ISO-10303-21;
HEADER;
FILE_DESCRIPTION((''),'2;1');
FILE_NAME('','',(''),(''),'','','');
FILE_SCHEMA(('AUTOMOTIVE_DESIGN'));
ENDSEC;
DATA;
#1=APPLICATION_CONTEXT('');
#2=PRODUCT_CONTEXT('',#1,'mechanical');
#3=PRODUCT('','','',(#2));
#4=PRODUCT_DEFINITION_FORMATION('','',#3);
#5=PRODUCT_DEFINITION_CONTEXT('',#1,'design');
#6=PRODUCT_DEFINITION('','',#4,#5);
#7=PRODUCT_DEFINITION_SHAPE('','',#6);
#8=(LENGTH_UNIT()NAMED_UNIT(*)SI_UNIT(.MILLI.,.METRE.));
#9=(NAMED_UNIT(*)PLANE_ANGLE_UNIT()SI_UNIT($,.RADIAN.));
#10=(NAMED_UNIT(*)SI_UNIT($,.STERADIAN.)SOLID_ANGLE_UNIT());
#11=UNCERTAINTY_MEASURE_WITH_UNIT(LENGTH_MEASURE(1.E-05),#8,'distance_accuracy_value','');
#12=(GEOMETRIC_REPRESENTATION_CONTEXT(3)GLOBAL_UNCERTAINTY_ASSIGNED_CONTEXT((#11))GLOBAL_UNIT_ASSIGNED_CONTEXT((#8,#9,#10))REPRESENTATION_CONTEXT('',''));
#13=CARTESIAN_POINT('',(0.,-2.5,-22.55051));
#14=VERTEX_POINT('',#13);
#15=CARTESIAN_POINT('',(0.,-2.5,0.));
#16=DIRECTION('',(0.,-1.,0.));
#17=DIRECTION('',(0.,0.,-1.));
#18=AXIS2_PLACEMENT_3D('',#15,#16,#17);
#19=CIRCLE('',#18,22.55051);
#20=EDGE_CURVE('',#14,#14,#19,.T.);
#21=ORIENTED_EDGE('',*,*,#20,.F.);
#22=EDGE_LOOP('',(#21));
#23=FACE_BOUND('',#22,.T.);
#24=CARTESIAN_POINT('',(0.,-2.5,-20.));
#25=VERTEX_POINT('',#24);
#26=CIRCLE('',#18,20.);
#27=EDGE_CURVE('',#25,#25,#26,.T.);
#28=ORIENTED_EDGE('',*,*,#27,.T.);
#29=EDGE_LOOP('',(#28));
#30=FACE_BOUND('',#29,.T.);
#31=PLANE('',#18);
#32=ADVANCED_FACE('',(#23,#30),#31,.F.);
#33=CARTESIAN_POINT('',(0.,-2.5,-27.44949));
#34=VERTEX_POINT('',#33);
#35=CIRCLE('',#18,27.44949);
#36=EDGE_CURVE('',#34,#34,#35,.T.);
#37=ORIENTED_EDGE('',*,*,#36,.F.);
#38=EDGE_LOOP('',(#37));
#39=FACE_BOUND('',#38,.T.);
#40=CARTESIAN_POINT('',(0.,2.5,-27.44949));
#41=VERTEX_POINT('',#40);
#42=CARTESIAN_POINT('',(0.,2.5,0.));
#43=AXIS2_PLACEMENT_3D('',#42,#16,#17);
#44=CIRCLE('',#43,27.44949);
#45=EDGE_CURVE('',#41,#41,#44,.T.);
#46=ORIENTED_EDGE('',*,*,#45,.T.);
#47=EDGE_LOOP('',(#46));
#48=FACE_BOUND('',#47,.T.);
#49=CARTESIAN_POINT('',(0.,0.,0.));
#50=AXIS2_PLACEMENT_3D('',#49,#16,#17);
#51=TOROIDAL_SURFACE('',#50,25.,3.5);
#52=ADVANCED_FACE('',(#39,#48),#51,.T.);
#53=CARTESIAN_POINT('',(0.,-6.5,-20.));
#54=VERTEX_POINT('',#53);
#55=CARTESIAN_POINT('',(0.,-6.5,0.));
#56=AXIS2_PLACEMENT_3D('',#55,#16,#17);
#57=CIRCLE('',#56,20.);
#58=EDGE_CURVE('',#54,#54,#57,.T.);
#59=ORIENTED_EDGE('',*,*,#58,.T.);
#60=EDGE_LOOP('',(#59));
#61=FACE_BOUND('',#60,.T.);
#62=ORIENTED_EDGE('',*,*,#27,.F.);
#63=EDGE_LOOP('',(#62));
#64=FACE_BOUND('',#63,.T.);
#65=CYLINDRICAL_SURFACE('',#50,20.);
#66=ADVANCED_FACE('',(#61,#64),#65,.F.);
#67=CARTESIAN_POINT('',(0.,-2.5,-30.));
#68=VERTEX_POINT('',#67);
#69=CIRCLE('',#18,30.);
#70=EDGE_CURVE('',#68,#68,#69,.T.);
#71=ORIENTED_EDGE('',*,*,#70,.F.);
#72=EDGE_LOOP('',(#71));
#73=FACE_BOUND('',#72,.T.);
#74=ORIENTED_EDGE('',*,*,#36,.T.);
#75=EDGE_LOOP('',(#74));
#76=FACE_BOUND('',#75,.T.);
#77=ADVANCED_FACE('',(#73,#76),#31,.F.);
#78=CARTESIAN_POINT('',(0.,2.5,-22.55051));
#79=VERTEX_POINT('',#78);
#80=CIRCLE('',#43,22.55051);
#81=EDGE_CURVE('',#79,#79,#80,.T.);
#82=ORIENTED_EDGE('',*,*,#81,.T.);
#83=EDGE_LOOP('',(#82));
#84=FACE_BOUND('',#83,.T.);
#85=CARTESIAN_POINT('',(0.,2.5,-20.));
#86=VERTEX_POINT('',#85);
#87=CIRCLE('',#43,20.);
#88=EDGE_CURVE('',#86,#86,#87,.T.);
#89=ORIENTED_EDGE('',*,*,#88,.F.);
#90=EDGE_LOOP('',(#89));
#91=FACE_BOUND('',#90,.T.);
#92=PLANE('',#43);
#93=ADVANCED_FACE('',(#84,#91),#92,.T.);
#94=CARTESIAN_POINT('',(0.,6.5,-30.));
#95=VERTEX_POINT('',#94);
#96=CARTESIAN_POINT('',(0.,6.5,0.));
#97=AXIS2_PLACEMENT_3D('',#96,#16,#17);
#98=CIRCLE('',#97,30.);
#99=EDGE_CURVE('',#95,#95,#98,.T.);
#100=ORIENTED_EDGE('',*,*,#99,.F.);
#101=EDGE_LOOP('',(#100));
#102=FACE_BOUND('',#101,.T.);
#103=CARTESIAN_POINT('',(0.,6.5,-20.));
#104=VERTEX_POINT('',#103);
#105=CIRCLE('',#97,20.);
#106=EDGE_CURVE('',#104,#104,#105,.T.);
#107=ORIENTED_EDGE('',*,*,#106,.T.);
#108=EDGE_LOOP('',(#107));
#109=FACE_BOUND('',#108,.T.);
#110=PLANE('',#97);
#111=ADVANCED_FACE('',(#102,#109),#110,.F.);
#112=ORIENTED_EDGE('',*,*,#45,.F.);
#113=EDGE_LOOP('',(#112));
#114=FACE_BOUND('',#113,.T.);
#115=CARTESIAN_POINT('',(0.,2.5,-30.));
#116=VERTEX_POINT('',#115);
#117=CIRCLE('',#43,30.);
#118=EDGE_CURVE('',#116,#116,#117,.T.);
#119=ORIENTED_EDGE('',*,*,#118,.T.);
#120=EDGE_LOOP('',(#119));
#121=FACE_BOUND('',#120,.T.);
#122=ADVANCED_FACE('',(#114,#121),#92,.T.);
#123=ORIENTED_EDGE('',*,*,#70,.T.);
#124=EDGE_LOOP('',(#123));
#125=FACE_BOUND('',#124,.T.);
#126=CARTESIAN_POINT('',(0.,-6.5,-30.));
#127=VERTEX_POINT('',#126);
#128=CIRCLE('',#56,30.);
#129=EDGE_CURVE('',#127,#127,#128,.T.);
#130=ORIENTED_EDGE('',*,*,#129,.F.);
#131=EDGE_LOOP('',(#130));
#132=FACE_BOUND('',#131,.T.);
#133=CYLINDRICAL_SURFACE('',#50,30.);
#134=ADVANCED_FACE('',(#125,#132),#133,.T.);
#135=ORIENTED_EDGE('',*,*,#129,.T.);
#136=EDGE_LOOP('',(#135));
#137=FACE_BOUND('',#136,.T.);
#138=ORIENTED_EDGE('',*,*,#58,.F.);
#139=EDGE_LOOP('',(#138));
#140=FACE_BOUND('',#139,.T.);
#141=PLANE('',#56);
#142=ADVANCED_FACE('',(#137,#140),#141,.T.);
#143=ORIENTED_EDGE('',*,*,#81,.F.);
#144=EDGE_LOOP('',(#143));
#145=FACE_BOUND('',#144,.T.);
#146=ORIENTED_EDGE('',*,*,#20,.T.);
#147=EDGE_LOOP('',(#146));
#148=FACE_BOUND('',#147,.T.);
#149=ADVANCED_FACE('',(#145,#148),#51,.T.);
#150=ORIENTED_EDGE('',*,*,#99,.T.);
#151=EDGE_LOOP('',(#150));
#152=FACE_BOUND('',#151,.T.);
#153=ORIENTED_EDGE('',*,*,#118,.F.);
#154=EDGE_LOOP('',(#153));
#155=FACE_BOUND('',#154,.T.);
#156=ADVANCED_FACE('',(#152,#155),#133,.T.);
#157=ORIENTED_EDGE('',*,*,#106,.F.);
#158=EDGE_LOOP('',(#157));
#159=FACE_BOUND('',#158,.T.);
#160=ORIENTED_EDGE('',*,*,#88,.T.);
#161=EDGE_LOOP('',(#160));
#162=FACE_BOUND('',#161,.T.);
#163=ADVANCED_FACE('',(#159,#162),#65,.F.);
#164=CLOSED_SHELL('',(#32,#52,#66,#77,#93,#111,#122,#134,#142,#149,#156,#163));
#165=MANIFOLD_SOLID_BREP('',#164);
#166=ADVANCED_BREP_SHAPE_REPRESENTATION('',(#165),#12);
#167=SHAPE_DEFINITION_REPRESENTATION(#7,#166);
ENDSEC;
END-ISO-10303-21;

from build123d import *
from build123d.topology import SkipClean


with BuildPart() as part:
    # Sketch1 → Revolve1 (revolve)
    with SkipClean():  # the faces are left unmerged after this step: merging them gives an invalid solid
        with BuildSketch(Plane.XY, mode=Mode.PRIVATE) as revolve1_sk:
            with BuildLine():
                Line((20, 6.5), (20, 2.5))
                Line((20, 2.5), (22.550510257, 2.5))
                ThreePointArc((22.550510257, 2.5), (25, 3.5), (27.449489743, 2.5))
                Line((27.449489743, 2.5), (30, 2.5))
                Line((30, 2.5), (30, 6.5))
                Line((30, 6.5), (20, 6.5))
            make_face()
            with BuildLine():
                Line((27.449489743, 2.5), (22.550510257, 2.5))
                ThreePointArc((22.550510257, 2.5), (21.5, 0), (22.550510257, -2.5))
                Line((22.550510257, -2.5), (27.449489743, -2.5))
                ThreePointArc((27.449489743, -2.5), (28.226702194, -1.355873501), (28.5, 0))
                ThreePointArc((28.5, 0), (28.226702194, 1.355873501), (27.449489743, 2.5))
            make_face()
            with BuildLine():
                ThreePointArc((27.449489743, 2.5), (25, 3.5), (22.550510257, 2.5))
                Line((22.550510257, 2.5), (27.449489743, 2.5))
            make_face()
            with BuildLine():
                Line((27.449489743, -2.5), (22.550510257, -2.5))
                ThreePointArc((22.550510257, -2.5), (25, -3.5), (27.449489743, -2.5))
            make_face()
            with BuildLine():
                Line((22.550510257, -2.5), (20, -2.5))
                Line((20, -2.5), (20, -6.5))
                Line((20, -6.5), (30, -6.5))
                Line((30, -6.5), (30, -2.5))
                Line((30, -2.5), (27.449489743, -2.5))
                ThreePointArc((27.449489743, -2.5), (25, -3.5), (22.550510257, -2.5))
            make_face()
        revolve(revolve1_sk.sketch.rotate(Axis((0, 0, 0), (0, 1, 0)), 90), axis=Axis((0, 0, 0), (0, 1, 0)))


solid = part.part
